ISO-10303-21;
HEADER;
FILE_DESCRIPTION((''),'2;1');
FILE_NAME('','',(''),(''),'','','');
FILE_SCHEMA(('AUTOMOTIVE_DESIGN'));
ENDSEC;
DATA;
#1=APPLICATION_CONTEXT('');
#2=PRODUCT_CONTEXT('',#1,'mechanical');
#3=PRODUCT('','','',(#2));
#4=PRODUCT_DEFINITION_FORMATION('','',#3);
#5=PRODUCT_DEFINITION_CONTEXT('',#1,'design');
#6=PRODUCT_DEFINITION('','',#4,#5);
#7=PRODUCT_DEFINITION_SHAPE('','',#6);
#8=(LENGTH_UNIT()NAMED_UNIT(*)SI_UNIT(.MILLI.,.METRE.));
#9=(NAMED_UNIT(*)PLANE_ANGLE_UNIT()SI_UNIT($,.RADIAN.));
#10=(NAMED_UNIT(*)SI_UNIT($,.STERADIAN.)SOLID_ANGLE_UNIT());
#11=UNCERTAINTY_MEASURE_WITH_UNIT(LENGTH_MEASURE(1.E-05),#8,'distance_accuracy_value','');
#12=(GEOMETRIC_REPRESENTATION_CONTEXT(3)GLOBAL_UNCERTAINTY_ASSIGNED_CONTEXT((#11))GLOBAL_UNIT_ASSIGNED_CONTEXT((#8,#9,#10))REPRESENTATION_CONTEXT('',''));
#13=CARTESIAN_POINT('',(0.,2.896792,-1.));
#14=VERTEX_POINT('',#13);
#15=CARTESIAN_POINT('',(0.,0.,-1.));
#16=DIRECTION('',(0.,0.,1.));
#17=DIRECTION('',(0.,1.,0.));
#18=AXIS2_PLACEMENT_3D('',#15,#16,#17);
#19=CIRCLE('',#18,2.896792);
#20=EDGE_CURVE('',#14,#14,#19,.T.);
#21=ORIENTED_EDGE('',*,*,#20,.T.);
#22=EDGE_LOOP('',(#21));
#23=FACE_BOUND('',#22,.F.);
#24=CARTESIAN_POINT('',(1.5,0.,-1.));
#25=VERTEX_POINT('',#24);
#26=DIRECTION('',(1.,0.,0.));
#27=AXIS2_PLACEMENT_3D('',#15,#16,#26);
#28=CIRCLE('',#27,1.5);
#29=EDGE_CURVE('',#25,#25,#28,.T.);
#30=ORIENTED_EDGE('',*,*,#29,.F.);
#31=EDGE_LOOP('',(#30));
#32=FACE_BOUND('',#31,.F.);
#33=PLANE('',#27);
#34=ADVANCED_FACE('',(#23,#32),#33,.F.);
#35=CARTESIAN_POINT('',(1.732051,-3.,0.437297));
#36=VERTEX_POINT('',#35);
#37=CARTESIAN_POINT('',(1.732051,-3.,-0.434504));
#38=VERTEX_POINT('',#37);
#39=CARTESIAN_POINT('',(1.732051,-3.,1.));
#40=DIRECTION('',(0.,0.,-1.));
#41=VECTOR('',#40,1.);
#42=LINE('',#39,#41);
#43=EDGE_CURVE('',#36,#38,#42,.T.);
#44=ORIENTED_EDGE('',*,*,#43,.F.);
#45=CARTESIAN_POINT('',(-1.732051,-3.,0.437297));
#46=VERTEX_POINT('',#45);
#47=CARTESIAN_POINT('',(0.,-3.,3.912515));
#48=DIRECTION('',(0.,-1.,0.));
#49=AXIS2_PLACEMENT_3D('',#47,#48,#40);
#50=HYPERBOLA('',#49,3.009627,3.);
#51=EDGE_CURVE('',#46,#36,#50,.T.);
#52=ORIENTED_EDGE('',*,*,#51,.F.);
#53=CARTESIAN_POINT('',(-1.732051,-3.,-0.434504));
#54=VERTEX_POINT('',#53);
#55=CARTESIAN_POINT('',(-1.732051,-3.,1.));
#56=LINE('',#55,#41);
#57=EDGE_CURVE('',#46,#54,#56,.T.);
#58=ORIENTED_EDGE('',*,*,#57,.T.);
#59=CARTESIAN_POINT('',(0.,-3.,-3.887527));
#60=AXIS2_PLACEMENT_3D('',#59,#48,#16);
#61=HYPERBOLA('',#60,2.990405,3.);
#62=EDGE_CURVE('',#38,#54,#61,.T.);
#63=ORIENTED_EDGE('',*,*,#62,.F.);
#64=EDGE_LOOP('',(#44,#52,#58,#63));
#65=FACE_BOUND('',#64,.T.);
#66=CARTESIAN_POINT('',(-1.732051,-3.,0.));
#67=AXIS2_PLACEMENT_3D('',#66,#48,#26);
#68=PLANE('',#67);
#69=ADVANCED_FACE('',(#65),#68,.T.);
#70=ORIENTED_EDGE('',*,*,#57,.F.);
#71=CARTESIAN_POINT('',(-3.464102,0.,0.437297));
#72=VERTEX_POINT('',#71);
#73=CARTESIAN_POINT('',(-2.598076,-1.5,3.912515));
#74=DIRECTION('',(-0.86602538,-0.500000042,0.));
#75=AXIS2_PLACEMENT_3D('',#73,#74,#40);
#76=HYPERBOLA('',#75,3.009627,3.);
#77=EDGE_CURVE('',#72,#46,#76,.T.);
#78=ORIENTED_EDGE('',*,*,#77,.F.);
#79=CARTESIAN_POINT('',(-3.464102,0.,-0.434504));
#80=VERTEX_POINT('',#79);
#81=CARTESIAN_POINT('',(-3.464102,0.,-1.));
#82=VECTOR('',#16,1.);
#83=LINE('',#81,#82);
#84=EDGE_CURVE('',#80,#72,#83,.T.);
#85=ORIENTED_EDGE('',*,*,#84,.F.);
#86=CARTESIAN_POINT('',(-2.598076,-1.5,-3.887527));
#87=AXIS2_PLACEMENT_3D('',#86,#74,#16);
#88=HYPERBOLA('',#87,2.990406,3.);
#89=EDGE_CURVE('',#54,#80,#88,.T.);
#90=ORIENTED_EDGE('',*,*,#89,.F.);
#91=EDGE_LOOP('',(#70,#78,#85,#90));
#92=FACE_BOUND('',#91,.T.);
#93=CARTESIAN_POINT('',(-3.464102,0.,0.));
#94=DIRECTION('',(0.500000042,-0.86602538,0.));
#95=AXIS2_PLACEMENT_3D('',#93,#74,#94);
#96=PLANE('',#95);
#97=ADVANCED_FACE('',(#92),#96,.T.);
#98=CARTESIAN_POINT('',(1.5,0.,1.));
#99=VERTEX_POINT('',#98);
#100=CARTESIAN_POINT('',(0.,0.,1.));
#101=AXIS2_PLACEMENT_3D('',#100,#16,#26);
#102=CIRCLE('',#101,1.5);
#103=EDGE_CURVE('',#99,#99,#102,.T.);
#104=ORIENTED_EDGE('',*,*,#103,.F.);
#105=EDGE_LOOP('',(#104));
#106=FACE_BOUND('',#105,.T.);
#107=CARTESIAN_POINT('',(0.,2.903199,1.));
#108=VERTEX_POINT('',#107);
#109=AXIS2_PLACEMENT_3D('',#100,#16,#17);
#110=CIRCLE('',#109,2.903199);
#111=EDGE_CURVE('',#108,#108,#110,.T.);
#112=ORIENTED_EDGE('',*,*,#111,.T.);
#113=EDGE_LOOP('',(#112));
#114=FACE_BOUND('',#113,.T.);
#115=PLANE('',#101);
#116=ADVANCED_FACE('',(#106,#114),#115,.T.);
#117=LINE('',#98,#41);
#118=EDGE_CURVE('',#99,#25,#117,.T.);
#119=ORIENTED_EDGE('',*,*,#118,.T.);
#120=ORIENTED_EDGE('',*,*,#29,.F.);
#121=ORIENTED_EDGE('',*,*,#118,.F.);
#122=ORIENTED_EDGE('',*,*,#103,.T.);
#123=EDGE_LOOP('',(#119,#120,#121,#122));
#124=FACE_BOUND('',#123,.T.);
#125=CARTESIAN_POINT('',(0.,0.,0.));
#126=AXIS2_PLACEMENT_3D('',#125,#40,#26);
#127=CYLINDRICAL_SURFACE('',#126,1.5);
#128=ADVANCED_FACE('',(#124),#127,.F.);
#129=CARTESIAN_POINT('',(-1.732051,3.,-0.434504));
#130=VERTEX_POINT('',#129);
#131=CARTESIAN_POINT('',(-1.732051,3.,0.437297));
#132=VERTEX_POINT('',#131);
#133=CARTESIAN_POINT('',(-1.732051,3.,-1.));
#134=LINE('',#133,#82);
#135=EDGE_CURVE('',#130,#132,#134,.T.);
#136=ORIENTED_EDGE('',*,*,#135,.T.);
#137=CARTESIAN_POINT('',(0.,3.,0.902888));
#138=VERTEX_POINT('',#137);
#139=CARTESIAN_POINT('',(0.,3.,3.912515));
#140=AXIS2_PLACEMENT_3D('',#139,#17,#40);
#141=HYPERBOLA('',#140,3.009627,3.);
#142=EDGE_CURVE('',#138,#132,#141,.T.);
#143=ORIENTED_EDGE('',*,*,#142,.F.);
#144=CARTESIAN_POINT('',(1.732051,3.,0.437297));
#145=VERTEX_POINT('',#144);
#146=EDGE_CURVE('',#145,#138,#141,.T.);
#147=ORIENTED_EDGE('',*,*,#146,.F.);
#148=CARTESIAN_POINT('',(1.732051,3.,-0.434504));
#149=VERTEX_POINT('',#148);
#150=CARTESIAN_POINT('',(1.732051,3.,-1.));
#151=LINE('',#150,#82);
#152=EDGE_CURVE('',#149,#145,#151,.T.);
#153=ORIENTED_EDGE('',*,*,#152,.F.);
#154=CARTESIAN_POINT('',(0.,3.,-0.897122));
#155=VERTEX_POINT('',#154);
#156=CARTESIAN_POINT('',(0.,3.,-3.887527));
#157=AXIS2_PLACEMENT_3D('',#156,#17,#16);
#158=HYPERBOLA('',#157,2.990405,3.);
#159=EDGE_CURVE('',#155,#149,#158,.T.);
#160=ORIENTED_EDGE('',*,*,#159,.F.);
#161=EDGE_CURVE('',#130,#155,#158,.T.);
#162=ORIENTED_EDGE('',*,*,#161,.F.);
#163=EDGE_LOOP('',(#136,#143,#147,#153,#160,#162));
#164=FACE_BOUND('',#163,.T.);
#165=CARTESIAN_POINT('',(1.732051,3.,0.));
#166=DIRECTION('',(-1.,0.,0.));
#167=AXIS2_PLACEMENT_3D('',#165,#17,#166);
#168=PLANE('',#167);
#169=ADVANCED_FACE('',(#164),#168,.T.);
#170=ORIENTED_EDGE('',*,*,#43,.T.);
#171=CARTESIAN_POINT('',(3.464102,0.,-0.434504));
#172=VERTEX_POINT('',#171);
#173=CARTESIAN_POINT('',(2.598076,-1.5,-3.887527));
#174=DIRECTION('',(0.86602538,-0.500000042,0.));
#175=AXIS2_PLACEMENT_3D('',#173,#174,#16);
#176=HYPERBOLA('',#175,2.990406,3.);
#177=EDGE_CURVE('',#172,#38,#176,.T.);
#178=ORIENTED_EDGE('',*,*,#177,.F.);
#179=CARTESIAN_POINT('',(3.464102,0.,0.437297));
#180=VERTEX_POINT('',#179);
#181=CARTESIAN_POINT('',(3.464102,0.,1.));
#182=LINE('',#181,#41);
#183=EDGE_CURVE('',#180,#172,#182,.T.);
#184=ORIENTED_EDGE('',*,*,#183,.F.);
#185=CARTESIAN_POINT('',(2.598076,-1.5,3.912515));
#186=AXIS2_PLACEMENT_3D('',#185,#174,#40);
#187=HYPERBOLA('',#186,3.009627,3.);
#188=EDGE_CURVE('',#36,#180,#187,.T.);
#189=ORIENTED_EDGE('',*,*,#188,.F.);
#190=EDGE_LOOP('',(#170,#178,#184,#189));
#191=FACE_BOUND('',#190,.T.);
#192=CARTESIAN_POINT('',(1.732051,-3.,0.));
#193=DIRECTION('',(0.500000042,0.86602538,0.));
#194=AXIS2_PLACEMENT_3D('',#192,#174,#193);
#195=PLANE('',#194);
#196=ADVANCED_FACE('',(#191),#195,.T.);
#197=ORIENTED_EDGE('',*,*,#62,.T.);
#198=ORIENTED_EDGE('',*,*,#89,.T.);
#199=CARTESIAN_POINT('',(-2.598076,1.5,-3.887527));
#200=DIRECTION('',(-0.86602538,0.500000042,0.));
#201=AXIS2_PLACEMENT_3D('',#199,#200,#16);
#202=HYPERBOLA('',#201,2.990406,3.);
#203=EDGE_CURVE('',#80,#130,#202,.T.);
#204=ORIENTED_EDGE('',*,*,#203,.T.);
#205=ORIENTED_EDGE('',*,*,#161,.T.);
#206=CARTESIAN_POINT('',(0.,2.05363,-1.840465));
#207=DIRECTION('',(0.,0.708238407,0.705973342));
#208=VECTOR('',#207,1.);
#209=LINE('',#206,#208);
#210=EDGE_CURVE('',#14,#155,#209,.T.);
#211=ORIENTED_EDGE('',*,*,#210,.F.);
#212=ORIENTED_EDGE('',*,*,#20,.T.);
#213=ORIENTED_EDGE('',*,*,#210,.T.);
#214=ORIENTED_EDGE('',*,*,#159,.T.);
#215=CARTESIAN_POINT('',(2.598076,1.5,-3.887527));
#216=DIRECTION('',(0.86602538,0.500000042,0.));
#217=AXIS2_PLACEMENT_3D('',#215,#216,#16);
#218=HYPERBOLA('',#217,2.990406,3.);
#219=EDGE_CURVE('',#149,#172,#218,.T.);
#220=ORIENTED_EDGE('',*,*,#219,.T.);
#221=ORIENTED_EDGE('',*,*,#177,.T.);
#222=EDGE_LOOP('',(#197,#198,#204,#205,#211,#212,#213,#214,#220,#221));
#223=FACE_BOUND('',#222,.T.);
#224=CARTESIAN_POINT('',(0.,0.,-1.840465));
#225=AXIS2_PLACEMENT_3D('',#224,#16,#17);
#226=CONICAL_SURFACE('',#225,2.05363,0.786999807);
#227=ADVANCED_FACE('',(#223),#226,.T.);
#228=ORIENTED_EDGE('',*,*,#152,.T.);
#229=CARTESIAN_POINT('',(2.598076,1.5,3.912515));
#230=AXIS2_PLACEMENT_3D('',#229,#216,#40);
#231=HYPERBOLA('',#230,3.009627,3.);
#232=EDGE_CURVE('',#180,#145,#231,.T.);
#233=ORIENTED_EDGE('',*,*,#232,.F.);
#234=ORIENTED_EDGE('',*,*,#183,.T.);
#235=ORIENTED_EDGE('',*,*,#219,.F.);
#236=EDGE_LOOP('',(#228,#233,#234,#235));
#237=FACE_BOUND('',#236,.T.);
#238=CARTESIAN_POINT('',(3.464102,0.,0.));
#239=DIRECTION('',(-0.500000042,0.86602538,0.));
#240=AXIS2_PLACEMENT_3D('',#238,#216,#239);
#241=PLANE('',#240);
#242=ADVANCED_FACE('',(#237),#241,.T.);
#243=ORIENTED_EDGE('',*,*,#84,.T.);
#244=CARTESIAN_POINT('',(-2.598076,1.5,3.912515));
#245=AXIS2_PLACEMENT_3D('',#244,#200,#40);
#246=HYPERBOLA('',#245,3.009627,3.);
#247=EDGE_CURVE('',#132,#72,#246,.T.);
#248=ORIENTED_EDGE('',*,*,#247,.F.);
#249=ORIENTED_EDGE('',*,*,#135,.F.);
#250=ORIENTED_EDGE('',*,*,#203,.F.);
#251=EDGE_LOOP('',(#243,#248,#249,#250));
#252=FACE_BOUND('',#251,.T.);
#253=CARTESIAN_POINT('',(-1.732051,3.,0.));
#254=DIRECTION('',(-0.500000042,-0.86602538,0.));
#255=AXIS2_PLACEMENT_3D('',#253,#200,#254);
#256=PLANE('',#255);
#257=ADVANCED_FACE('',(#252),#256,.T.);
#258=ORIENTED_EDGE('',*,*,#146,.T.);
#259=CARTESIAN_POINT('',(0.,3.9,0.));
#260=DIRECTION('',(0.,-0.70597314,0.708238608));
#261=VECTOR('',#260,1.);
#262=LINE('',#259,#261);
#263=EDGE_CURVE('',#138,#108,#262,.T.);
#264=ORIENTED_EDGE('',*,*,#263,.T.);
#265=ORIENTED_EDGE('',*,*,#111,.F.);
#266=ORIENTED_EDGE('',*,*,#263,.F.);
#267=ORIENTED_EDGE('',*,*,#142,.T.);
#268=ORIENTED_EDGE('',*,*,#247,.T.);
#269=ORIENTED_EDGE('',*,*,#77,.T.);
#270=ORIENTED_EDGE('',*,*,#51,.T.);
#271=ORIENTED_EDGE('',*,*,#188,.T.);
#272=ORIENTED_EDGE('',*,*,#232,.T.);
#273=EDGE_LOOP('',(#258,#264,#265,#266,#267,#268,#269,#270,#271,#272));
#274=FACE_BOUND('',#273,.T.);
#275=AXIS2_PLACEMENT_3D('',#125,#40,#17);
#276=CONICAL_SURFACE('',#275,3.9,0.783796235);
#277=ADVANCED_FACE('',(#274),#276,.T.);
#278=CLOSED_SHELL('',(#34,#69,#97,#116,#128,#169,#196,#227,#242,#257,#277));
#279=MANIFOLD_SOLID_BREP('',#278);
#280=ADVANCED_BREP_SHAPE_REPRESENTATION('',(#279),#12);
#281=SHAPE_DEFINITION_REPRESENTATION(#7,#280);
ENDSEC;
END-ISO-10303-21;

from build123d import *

# Parameters (mm, degrees)
SKETCH_R  = 1.5
PAD_DEPTH = 1


with BuildPart() as part:
    # Sketch → Pad (new body, symmetric)
    with BuildSketch(Plane.XY):
        Polygon((3.464102, 0), (1.732051, 3), (-1.732051, 3), (-3.464102, 0), (-1.732051, -3), (1.732051, -3), align=None)
        Circle(SKETCH_R, mode=Mode.SUBTRACT)
    extrude(amount=PAD_DEPTH, both=True)

    # Sketch001 → Groove (revolve, cut)
    with BuildSketch(Plane.YZ):
        Polygon((2.05363, 1.852295), (2.05363, 2.729858), (5.279402, 2.729858), (5.279402, -3.14441), (2.05363, -3.14441), (2.05363, -1.840465), (3.9, 0), align=None)
    revolve(axis=Axis((0, 0, 0), (0, 0, 1)), mode=Mode.SUBTRACT)


solid = part.part
